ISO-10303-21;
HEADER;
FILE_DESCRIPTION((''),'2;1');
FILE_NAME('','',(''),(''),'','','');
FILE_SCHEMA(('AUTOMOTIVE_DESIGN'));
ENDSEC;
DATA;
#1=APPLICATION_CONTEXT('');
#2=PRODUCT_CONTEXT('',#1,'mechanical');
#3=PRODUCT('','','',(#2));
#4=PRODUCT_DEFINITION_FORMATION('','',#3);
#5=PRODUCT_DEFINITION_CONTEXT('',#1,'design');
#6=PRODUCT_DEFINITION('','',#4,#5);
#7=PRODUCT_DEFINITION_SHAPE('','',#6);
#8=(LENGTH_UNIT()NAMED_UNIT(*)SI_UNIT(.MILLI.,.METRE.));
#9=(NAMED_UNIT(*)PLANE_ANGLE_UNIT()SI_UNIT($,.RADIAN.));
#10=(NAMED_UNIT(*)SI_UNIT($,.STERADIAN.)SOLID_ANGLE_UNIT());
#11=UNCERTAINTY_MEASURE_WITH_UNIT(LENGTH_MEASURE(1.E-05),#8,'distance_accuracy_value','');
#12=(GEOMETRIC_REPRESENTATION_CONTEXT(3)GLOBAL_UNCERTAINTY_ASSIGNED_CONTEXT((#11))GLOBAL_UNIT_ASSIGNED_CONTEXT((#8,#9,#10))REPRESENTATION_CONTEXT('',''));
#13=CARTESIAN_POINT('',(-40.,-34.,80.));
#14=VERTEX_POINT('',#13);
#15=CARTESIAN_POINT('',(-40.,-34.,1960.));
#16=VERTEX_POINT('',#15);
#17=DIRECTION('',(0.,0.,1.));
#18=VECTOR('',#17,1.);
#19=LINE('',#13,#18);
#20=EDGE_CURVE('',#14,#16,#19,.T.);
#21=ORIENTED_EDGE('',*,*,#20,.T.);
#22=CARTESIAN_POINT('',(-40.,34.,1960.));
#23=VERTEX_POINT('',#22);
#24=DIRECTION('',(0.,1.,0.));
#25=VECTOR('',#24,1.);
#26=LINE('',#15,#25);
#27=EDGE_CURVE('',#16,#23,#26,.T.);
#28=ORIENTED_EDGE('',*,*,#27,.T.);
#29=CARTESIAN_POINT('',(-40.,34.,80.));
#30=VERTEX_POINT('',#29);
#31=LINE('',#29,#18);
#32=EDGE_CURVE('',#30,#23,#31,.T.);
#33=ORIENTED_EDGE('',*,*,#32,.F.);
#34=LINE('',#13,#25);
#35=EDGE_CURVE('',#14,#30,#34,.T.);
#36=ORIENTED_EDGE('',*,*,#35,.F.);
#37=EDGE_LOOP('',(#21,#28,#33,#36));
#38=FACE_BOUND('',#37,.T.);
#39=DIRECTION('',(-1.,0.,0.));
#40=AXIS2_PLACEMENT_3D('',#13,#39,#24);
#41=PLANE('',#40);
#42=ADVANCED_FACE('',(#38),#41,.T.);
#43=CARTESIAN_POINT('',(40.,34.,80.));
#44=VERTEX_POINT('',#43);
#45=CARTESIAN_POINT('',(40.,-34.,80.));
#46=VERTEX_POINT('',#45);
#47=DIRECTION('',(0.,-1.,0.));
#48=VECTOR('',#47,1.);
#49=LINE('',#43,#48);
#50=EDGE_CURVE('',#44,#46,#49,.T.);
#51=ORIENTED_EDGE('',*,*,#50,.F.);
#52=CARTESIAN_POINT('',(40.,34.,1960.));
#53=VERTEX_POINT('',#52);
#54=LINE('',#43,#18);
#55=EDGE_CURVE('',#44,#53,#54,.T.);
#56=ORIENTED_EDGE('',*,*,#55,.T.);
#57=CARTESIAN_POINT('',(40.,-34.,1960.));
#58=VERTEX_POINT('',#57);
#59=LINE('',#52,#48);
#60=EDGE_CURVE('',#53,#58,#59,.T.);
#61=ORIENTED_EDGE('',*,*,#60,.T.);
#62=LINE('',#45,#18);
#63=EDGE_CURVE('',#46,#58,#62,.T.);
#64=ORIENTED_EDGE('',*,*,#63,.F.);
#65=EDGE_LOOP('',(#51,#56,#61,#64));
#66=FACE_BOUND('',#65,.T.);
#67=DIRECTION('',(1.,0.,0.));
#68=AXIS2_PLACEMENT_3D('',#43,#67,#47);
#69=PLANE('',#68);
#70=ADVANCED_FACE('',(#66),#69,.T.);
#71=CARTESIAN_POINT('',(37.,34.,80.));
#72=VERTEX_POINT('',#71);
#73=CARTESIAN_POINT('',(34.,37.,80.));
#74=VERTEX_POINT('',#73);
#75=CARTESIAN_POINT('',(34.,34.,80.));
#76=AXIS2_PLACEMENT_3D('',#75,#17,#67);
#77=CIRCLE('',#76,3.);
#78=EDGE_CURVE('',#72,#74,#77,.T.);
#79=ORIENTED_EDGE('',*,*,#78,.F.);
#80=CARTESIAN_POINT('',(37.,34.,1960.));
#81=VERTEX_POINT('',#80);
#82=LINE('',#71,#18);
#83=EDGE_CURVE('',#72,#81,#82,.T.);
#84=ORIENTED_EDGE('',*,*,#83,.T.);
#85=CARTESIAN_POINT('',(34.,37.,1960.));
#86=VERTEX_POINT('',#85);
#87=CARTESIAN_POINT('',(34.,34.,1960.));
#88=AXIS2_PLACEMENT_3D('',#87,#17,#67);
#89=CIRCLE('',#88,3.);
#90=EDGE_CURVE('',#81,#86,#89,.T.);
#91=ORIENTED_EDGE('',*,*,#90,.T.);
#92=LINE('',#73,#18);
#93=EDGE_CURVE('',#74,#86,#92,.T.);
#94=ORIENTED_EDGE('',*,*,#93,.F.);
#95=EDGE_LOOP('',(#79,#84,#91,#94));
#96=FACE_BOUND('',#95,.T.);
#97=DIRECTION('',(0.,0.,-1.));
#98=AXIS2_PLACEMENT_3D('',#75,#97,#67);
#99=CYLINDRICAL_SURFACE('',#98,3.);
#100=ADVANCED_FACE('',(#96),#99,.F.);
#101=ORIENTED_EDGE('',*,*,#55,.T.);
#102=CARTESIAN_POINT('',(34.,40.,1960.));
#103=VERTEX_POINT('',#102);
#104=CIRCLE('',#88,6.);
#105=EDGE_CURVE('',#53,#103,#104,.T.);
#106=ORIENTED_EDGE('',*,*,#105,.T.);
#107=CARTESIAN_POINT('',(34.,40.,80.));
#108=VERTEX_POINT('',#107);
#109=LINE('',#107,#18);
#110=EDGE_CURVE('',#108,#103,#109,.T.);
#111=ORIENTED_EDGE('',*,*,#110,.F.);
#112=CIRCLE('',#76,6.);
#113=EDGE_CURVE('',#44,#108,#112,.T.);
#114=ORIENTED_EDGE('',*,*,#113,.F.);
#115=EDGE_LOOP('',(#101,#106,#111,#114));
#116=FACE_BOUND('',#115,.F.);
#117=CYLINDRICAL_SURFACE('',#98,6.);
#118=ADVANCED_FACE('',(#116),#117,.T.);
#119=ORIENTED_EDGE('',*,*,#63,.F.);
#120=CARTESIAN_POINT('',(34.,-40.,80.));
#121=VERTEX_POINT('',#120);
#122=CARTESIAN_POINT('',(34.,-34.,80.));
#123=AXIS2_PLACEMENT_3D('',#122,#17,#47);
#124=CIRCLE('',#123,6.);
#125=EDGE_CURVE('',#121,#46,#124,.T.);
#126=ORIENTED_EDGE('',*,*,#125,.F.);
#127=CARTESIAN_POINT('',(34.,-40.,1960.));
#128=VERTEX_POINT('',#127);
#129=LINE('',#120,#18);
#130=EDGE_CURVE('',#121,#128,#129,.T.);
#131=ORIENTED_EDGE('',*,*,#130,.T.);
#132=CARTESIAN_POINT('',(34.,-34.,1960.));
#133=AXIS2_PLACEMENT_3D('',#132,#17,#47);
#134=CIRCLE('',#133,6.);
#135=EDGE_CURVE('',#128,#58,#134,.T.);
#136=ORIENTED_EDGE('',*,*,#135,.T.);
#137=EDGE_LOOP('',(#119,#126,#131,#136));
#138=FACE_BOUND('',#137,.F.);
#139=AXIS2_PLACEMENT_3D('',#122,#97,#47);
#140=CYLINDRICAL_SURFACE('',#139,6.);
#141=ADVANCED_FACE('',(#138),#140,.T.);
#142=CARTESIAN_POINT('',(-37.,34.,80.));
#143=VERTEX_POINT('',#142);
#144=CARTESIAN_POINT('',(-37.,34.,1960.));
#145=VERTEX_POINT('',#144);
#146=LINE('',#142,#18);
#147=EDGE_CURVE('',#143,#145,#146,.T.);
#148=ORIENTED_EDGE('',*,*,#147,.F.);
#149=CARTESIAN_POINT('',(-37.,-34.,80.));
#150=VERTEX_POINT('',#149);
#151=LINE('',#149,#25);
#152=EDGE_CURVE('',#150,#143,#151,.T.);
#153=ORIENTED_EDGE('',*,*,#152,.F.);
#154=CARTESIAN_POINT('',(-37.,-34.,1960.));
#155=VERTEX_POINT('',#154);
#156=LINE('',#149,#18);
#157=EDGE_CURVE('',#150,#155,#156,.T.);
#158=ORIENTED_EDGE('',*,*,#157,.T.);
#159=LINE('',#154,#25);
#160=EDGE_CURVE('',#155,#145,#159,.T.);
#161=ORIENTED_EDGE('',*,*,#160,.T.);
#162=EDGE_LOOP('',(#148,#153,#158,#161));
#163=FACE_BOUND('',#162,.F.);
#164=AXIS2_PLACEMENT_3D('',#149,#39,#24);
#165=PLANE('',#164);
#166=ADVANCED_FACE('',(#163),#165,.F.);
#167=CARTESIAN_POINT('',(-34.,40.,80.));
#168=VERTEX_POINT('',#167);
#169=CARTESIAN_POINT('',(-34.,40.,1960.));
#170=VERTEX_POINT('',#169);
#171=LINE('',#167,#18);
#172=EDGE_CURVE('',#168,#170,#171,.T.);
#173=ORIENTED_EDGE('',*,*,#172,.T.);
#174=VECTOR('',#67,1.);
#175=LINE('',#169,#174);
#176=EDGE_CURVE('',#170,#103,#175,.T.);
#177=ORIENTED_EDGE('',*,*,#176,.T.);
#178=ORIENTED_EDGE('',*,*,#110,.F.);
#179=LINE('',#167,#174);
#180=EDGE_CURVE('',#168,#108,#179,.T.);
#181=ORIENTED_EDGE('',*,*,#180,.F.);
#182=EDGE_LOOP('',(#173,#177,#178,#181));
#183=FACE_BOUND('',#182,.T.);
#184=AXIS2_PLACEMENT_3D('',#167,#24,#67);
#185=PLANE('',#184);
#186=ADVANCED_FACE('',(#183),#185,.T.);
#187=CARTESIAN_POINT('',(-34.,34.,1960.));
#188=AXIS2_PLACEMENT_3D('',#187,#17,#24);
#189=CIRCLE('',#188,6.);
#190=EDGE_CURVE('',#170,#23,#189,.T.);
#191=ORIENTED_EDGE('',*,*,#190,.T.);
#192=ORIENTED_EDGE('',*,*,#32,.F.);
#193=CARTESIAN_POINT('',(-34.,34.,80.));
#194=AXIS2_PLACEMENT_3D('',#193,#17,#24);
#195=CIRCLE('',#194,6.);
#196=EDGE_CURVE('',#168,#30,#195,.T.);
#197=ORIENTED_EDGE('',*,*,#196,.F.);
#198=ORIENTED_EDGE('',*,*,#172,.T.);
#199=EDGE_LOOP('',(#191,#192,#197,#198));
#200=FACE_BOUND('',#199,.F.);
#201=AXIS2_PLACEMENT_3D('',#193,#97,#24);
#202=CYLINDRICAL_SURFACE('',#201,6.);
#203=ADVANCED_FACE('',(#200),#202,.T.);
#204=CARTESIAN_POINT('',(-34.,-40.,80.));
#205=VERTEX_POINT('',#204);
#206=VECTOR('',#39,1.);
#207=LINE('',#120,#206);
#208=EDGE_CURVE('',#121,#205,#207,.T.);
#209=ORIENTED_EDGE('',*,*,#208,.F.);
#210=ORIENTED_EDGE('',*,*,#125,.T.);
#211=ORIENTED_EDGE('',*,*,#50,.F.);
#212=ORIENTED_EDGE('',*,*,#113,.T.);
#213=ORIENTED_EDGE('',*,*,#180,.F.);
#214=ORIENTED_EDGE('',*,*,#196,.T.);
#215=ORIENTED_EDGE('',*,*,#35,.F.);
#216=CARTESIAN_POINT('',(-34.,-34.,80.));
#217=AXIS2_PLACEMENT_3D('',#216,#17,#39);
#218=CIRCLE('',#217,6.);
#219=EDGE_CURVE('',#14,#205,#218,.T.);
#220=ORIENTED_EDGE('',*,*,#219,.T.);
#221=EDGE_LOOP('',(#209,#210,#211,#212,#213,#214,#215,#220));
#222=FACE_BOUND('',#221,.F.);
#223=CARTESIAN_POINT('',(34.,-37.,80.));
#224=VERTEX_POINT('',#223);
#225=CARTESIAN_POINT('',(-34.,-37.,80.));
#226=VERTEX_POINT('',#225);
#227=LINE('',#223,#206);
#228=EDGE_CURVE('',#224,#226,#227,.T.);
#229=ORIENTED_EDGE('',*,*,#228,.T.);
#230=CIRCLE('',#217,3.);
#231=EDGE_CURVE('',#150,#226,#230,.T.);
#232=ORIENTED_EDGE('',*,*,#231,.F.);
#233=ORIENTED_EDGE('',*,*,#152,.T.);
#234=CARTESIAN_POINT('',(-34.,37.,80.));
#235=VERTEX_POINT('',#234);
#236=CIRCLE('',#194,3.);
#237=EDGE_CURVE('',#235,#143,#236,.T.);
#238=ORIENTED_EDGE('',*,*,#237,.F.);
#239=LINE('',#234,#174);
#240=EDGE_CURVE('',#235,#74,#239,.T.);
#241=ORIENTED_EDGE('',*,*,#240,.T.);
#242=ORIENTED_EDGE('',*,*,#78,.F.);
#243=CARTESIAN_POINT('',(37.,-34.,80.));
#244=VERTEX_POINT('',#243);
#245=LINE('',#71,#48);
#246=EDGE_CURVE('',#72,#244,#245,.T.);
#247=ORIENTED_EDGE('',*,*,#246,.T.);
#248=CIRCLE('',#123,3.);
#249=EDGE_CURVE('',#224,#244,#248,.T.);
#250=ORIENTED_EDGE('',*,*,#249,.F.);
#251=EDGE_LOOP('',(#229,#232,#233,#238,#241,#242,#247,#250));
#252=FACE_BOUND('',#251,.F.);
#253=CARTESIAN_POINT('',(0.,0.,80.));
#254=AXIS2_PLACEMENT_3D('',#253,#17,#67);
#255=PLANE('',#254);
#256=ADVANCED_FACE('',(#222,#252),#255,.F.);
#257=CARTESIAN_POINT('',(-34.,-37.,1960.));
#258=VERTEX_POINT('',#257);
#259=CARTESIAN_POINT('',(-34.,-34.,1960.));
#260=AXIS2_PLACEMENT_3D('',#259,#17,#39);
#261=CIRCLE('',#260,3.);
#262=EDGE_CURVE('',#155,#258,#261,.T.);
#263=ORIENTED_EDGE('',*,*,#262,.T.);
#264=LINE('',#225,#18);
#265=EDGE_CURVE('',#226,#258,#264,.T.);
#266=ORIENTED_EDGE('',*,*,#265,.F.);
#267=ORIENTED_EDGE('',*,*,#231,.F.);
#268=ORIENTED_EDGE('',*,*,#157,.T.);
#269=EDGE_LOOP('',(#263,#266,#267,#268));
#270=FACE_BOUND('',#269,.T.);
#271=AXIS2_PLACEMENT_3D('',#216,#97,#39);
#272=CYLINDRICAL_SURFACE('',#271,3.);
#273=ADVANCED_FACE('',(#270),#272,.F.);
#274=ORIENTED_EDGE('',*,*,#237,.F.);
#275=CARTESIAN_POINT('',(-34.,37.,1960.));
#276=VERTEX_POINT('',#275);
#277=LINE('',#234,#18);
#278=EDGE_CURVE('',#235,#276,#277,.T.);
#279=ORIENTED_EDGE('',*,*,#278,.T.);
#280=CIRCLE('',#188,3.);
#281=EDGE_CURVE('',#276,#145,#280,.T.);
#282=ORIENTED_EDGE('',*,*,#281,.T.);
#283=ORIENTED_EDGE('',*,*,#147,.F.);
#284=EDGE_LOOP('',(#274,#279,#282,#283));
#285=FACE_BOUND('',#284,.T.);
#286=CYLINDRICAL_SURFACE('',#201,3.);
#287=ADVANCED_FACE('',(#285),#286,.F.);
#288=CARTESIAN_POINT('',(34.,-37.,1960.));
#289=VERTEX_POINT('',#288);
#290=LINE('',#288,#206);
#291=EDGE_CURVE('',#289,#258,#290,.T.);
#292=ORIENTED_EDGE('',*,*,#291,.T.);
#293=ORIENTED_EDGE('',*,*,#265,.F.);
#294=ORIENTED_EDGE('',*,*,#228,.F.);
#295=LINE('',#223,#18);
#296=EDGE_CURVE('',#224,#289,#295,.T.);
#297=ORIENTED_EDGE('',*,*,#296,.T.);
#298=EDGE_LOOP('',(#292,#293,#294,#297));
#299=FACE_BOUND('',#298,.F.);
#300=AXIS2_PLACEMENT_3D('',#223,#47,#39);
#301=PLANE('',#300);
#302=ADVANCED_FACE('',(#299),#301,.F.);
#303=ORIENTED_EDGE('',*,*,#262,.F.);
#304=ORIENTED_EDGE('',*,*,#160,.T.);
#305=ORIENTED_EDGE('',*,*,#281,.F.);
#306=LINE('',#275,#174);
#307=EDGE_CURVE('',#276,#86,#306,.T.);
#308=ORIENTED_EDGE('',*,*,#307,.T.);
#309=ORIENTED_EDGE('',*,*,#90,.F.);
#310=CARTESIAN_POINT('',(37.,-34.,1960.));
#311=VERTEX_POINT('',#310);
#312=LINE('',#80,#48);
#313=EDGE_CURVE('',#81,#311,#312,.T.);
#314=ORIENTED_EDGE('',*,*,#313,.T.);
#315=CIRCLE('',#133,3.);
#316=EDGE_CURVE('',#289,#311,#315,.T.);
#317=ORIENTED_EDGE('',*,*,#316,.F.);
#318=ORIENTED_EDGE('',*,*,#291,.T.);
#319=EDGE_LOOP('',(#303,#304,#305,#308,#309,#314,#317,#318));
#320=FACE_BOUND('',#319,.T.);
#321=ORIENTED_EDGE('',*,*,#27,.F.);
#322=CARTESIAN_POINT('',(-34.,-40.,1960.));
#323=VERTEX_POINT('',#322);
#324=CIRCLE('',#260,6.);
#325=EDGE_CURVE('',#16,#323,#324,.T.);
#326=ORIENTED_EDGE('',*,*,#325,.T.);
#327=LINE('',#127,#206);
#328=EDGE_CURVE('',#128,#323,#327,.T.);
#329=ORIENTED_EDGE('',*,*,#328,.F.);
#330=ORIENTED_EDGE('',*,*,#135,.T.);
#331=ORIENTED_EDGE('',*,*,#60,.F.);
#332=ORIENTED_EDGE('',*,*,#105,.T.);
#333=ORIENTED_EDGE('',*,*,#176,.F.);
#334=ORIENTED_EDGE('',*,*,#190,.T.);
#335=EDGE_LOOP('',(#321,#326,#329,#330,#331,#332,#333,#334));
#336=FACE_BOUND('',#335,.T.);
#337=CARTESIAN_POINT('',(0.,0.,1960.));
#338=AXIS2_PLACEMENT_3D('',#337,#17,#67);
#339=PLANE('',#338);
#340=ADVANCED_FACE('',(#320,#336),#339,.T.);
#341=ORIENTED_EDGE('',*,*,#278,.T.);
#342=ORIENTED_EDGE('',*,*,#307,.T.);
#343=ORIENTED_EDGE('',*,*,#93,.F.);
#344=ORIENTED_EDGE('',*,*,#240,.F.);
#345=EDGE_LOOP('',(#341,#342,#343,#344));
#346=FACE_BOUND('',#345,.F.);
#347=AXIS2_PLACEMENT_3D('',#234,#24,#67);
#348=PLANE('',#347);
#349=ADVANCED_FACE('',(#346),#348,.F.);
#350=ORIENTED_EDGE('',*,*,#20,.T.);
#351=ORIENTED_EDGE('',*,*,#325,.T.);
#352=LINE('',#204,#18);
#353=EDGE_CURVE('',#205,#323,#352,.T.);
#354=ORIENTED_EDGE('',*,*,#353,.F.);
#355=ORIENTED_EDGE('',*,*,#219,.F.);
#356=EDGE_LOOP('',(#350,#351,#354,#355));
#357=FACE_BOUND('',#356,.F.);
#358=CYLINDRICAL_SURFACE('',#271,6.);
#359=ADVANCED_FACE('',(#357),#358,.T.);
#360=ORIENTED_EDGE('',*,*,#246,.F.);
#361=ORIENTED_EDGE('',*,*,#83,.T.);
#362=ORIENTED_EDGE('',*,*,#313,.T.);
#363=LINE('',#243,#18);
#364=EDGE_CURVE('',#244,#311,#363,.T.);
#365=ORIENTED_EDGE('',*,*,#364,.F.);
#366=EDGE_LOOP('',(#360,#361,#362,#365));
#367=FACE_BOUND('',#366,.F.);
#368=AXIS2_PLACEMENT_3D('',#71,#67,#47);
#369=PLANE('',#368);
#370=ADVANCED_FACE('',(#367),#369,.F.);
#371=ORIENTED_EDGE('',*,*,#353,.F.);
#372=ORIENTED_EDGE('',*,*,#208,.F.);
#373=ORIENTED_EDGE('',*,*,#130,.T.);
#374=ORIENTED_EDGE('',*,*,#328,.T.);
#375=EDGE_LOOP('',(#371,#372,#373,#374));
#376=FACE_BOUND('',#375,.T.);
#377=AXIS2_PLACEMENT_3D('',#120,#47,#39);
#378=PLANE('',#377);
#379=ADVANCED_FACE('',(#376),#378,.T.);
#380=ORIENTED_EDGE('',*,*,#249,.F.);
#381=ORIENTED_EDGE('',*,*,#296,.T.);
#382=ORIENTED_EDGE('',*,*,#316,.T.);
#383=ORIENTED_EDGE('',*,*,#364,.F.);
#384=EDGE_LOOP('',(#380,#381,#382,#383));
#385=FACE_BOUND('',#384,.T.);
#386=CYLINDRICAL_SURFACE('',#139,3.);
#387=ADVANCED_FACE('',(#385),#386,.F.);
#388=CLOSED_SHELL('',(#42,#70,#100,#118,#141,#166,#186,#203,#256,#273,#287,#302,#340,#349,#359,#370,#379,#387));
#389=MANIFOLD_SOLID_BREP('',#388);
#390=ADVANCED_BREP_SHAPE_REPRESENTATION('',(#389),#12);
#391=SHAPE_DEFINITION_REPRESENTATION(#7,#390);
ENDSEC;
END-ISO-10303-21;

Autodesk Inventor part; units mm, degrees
ref_plane "YZ Plane" through (0, 0, 0) normal (1, 0, 0) x (0, 1, 0)
ref_plane "Start Plane" through (0, 0, 80) normal (0, 0, 1) x (1, 0, 0)
ref_plane "End Plane" through (0, 0, 1960) normal (0, 0, 1) x (1, 0, 0)
sketch "Sketch" plane through (0, 0, 0) normal (0, 0, 1) x (1, 0, 0)
  line L0 (-40, -34) -> (-40, 34)
  line L1 (-34, 40) -> (34, 40)
  line L2 (40, 34) -> (40, -34)
  line L3 (34, -40) -> (-34, -40)
  arc A0 (-40, -34) -> (-34, -40) centre (-34, -34) ccw
  arc A1 (40, 34) -> (34, 40) centre (34, 34) ccw
  arc A2 (-34, 40) -> (-40, 34) centre (-34, 34) ccw
  arc A3 (34, -40) -> (40, -34) centre (34, -34) ccw
  arc A4 (-34, 37) -> (-37, 34) centre (-34, 34) ccw
  line L4 (-34, 37) -> (34, 37)
  arc A5 (37, 34) -> (34, 37) centre (34, 34) ccw
  line L5 (37, 34) -> (37, -34)
  arc A6 (34, -37) -> (37, -34) centre (34, -34) ccw
  line L6 (34, -37) -> (-34, -37)
  arc A7 (-37, -34) -> (-34, -37) centre (-34, -34) ccw
  line L7 (-37, -34) -> (-37, 34)
  line L8 (0, 57.7397) -> (0, -57.7397) construction
  line L9 (-57.7397, 0) -> (57.7397, 0) construction
  dimension "d7" = 6
  dimension "d9" = 80
  dimension "d11" = 80
  dimension "d12" = 3
  dimension "d15" = 40
  dimension "d16" = 40
extrude "Body" add sketch "Sketch" along normal up to surface (1880 mm away) from surface at 80
sketch "Sketch3" plane through (0, 0, 0) normal (0, 0, 1) x (1, 0, 0)
  line L0 (0, 0) -> (10, 0)
ref_plane "Work Plane3" through (0, 0, 0) normal (0, -1, 0) x (1, 0, 0)
sketch "Sketch4" plane through (0, 0, 0) normal (0, -1, 0) x (1, 0, 0)
  line L0 (-2, 80) -> (12, 80) projected
  line L1 (-2, 1960) -> (12, 1960) projected
  dimension "d18" = 1880
equation "\"d7\" = G_IR"
equation "\"d9\" = G_W"
equation "\"d11\" = G_H"
equation "\"d12\" = G_T"
equation "\"d15\" = 0.5 * d9"
equation "\"d16\" = 0.5 * d11"
equation "\"d3\" = G_L"
equation "\"G_W\" = 80"
equation "\"G_H\" = 80"
equation "\"G_T\" = 3"
equation "\"G_IR\" = 6"
equation "\"G_L\" = d18"
properties part number "ISO 4019 - 80x80x3 - 1880" material "Steel, Mild"
